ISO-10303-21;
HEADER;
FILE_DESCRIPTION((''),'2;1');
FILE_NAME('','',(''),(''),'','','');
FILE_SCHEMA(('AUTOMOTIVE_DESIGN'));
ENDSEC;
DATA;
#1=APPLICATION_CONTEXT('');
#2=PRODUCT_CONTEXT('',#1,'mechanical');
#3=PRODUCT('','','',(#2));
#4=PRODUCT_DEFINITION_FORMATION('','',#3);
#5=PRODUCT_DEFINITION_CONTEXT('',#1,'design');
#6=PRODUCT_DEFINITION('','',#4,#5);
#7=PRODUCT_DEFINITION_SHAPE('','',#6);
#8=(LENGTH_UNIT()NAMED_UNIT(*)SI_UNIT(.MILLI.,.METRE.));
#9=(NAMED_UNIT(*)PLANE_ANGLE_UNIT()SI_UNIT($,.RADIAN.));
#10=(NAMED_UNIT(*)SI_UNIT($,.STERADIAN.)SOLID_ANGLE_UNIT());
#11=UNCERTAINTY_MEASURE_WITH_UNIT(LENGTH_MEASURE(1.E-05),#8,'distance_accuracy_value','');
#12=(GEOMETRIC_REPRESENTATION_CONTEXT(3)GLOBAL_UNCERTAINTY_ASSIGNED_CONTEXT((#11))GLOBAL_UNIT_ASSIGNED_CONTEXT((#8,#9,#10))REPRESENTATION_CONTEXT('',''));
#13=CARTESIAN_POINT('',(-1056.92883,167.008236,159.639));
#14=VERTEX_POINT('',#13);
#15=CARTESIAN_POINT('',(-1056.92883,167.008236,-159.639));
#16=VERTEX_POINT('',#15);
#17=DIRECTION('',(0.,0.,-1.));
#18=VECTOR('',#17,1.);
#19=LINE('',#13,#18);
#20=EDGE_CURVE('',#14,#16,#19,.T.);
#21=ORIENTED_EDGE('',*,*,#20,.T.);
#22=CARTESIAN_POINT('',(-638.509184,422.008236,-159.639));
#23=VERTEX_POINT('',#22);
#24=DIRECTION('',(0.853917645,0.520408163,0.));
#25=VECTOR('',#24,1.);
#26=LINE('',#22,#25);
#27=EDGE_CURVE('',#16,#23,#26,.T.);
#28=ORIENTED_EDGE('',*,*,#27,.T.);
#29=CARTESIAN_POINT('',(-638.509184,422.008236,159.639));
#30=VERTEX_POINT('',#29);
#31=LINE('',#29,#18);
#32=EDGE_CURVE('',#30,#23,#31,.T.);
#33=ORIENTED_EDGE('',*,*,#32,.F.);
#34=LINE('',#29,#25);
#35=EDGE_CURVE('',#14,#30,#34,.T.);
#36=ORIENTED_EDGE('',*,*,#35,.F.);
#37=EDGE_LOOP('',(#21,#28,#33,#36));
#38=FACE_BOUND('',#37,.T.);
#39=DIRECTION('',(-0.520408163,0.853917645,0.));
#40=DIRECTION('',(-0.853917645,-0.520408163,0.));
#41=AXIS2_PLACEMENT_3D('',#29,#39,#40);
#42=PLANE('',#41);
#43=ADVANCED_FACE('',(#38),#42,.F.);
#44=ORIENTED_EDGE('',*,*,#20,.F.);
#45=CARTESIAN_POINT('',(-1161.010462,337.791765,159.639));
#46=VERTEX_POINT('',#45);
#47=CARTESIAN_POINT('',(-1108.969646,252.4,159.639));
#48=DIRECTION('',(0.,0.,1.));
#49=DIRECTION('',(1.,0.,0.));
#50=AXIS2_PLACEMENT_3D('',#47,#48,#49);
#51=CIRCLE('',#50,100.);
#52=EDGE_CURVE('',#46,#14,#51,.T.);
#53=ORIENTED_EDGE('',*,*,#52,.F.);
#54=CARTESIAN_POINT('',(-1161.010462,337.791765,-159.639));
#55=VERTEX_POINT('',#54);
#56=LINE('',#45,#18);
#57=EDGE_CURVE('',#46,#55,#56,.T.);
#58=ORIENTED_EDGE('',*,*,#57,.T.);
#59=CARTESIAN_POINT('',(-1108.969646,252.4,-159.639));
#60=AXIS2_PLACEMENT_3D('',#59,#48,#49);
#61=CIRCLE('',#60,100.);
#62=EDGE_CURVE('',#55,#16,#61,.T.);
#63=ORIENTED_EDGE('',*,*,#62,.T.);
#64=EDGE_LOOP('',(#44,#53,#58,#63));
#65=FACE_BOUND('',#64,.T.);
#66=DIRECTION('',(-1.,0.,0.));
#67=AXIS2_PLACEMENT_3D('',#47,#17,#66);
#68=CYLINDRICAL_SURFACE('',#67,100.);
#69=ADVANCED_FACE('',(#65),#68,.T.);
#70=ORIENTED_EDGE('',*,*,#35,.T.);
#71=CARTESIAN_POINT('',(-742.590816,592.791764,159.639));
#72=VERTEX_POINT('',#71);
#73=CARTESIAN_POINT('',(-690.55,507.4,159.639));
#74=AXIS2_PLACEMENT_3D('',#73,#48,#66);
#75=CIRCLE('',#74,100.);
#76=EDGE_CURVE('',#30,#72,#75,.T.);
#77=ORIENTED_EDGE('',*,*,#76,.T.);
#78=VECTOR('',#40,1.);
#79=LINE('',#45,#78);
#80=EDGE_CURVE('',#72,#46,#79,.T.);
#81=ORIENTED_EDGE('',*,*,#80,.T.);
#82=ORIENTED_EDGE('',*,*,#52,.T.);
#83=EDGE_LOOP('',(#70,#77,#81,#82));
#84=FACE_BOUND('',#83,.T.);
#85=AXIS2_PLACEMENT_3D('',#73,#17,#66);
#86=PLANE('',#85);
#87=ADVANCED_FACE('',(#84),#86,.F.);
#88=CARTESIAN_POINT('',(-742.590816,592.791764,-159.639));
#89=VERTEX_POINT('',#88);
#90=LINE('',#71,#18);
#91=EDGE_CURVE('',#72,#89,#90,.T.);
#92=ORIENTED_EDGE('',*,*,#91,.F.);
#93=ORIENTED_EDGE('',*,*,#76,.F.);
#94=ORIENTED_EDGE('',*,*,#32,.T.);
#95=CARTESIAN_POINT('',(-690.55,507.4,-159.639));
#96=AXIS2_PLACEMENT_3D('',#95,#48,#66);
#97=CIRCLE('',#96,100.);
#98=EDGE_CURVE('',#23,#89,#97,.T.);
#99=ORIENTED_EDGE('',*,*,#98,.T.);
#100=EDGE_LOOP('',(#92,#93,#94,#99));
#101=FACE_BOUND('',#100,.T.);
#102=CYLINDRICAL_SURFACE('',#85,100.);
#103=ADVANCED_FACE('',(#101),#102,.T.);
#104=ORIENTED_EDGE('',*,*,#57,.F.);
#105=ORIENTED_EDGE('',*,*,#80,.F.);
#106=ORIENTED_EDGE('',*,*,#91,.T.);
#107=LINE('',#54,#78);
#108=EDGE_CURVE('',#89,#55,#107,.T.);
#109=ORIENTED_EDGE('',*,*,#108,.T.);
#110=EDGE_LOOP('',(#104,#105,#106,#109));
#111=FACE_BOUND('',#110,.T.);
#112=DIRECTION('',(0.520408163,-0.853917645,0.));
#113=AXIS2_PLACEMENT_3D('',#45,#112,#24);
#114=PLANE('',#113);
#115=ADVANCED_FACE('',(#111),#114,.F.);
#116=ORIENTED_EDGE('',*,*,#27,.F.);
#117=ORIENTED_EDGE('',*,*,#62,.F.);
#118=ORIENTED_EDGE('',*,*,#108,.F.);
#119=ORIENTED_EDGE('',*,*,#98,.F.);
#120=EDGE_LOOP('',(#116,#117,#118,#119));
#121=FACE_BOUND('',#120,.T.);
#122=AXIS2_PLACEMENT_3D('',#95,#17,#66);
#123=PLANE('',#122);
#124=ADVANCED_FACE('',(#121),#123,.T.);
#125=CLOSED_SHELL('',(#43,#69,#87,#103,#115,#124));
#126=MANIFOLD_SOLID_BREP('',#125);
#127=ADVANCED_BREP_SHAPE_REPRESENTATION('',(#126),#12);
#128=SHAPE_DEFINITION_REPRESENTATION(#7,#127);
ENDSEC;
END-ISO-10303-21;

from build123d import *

# Parameters (mm, degrees)
BOSS_EXTRUDE1_DEPTH = 159.639


with BuildPart() as part:
    # Sketch1 → Boss-Extrude1 (new body, symmetric)
    with BuildSketch(Plane.XY):
        with BuildLine():
            Line((-1161.010462185, 337.791764501), (-742.590816359, 592.791764476))
            ThreePointArc((-742.590816359, 592.791764476), (-605.158235549, 559.440816334), (-638.509183691, 422.008235524))
            Line((-638.509183691, 422.008235524), (-1056.928829516, 167.008235549))
            ThreePointArc((-1056.928829516, 167.008235549), (-1194.361410326, 200.359183691), (-1161.010462185, 337.791764501))
        make_face()
    extrude(amount=BOSS_EXTRUDE1_DEPTH, both=True)


solid = part.part
